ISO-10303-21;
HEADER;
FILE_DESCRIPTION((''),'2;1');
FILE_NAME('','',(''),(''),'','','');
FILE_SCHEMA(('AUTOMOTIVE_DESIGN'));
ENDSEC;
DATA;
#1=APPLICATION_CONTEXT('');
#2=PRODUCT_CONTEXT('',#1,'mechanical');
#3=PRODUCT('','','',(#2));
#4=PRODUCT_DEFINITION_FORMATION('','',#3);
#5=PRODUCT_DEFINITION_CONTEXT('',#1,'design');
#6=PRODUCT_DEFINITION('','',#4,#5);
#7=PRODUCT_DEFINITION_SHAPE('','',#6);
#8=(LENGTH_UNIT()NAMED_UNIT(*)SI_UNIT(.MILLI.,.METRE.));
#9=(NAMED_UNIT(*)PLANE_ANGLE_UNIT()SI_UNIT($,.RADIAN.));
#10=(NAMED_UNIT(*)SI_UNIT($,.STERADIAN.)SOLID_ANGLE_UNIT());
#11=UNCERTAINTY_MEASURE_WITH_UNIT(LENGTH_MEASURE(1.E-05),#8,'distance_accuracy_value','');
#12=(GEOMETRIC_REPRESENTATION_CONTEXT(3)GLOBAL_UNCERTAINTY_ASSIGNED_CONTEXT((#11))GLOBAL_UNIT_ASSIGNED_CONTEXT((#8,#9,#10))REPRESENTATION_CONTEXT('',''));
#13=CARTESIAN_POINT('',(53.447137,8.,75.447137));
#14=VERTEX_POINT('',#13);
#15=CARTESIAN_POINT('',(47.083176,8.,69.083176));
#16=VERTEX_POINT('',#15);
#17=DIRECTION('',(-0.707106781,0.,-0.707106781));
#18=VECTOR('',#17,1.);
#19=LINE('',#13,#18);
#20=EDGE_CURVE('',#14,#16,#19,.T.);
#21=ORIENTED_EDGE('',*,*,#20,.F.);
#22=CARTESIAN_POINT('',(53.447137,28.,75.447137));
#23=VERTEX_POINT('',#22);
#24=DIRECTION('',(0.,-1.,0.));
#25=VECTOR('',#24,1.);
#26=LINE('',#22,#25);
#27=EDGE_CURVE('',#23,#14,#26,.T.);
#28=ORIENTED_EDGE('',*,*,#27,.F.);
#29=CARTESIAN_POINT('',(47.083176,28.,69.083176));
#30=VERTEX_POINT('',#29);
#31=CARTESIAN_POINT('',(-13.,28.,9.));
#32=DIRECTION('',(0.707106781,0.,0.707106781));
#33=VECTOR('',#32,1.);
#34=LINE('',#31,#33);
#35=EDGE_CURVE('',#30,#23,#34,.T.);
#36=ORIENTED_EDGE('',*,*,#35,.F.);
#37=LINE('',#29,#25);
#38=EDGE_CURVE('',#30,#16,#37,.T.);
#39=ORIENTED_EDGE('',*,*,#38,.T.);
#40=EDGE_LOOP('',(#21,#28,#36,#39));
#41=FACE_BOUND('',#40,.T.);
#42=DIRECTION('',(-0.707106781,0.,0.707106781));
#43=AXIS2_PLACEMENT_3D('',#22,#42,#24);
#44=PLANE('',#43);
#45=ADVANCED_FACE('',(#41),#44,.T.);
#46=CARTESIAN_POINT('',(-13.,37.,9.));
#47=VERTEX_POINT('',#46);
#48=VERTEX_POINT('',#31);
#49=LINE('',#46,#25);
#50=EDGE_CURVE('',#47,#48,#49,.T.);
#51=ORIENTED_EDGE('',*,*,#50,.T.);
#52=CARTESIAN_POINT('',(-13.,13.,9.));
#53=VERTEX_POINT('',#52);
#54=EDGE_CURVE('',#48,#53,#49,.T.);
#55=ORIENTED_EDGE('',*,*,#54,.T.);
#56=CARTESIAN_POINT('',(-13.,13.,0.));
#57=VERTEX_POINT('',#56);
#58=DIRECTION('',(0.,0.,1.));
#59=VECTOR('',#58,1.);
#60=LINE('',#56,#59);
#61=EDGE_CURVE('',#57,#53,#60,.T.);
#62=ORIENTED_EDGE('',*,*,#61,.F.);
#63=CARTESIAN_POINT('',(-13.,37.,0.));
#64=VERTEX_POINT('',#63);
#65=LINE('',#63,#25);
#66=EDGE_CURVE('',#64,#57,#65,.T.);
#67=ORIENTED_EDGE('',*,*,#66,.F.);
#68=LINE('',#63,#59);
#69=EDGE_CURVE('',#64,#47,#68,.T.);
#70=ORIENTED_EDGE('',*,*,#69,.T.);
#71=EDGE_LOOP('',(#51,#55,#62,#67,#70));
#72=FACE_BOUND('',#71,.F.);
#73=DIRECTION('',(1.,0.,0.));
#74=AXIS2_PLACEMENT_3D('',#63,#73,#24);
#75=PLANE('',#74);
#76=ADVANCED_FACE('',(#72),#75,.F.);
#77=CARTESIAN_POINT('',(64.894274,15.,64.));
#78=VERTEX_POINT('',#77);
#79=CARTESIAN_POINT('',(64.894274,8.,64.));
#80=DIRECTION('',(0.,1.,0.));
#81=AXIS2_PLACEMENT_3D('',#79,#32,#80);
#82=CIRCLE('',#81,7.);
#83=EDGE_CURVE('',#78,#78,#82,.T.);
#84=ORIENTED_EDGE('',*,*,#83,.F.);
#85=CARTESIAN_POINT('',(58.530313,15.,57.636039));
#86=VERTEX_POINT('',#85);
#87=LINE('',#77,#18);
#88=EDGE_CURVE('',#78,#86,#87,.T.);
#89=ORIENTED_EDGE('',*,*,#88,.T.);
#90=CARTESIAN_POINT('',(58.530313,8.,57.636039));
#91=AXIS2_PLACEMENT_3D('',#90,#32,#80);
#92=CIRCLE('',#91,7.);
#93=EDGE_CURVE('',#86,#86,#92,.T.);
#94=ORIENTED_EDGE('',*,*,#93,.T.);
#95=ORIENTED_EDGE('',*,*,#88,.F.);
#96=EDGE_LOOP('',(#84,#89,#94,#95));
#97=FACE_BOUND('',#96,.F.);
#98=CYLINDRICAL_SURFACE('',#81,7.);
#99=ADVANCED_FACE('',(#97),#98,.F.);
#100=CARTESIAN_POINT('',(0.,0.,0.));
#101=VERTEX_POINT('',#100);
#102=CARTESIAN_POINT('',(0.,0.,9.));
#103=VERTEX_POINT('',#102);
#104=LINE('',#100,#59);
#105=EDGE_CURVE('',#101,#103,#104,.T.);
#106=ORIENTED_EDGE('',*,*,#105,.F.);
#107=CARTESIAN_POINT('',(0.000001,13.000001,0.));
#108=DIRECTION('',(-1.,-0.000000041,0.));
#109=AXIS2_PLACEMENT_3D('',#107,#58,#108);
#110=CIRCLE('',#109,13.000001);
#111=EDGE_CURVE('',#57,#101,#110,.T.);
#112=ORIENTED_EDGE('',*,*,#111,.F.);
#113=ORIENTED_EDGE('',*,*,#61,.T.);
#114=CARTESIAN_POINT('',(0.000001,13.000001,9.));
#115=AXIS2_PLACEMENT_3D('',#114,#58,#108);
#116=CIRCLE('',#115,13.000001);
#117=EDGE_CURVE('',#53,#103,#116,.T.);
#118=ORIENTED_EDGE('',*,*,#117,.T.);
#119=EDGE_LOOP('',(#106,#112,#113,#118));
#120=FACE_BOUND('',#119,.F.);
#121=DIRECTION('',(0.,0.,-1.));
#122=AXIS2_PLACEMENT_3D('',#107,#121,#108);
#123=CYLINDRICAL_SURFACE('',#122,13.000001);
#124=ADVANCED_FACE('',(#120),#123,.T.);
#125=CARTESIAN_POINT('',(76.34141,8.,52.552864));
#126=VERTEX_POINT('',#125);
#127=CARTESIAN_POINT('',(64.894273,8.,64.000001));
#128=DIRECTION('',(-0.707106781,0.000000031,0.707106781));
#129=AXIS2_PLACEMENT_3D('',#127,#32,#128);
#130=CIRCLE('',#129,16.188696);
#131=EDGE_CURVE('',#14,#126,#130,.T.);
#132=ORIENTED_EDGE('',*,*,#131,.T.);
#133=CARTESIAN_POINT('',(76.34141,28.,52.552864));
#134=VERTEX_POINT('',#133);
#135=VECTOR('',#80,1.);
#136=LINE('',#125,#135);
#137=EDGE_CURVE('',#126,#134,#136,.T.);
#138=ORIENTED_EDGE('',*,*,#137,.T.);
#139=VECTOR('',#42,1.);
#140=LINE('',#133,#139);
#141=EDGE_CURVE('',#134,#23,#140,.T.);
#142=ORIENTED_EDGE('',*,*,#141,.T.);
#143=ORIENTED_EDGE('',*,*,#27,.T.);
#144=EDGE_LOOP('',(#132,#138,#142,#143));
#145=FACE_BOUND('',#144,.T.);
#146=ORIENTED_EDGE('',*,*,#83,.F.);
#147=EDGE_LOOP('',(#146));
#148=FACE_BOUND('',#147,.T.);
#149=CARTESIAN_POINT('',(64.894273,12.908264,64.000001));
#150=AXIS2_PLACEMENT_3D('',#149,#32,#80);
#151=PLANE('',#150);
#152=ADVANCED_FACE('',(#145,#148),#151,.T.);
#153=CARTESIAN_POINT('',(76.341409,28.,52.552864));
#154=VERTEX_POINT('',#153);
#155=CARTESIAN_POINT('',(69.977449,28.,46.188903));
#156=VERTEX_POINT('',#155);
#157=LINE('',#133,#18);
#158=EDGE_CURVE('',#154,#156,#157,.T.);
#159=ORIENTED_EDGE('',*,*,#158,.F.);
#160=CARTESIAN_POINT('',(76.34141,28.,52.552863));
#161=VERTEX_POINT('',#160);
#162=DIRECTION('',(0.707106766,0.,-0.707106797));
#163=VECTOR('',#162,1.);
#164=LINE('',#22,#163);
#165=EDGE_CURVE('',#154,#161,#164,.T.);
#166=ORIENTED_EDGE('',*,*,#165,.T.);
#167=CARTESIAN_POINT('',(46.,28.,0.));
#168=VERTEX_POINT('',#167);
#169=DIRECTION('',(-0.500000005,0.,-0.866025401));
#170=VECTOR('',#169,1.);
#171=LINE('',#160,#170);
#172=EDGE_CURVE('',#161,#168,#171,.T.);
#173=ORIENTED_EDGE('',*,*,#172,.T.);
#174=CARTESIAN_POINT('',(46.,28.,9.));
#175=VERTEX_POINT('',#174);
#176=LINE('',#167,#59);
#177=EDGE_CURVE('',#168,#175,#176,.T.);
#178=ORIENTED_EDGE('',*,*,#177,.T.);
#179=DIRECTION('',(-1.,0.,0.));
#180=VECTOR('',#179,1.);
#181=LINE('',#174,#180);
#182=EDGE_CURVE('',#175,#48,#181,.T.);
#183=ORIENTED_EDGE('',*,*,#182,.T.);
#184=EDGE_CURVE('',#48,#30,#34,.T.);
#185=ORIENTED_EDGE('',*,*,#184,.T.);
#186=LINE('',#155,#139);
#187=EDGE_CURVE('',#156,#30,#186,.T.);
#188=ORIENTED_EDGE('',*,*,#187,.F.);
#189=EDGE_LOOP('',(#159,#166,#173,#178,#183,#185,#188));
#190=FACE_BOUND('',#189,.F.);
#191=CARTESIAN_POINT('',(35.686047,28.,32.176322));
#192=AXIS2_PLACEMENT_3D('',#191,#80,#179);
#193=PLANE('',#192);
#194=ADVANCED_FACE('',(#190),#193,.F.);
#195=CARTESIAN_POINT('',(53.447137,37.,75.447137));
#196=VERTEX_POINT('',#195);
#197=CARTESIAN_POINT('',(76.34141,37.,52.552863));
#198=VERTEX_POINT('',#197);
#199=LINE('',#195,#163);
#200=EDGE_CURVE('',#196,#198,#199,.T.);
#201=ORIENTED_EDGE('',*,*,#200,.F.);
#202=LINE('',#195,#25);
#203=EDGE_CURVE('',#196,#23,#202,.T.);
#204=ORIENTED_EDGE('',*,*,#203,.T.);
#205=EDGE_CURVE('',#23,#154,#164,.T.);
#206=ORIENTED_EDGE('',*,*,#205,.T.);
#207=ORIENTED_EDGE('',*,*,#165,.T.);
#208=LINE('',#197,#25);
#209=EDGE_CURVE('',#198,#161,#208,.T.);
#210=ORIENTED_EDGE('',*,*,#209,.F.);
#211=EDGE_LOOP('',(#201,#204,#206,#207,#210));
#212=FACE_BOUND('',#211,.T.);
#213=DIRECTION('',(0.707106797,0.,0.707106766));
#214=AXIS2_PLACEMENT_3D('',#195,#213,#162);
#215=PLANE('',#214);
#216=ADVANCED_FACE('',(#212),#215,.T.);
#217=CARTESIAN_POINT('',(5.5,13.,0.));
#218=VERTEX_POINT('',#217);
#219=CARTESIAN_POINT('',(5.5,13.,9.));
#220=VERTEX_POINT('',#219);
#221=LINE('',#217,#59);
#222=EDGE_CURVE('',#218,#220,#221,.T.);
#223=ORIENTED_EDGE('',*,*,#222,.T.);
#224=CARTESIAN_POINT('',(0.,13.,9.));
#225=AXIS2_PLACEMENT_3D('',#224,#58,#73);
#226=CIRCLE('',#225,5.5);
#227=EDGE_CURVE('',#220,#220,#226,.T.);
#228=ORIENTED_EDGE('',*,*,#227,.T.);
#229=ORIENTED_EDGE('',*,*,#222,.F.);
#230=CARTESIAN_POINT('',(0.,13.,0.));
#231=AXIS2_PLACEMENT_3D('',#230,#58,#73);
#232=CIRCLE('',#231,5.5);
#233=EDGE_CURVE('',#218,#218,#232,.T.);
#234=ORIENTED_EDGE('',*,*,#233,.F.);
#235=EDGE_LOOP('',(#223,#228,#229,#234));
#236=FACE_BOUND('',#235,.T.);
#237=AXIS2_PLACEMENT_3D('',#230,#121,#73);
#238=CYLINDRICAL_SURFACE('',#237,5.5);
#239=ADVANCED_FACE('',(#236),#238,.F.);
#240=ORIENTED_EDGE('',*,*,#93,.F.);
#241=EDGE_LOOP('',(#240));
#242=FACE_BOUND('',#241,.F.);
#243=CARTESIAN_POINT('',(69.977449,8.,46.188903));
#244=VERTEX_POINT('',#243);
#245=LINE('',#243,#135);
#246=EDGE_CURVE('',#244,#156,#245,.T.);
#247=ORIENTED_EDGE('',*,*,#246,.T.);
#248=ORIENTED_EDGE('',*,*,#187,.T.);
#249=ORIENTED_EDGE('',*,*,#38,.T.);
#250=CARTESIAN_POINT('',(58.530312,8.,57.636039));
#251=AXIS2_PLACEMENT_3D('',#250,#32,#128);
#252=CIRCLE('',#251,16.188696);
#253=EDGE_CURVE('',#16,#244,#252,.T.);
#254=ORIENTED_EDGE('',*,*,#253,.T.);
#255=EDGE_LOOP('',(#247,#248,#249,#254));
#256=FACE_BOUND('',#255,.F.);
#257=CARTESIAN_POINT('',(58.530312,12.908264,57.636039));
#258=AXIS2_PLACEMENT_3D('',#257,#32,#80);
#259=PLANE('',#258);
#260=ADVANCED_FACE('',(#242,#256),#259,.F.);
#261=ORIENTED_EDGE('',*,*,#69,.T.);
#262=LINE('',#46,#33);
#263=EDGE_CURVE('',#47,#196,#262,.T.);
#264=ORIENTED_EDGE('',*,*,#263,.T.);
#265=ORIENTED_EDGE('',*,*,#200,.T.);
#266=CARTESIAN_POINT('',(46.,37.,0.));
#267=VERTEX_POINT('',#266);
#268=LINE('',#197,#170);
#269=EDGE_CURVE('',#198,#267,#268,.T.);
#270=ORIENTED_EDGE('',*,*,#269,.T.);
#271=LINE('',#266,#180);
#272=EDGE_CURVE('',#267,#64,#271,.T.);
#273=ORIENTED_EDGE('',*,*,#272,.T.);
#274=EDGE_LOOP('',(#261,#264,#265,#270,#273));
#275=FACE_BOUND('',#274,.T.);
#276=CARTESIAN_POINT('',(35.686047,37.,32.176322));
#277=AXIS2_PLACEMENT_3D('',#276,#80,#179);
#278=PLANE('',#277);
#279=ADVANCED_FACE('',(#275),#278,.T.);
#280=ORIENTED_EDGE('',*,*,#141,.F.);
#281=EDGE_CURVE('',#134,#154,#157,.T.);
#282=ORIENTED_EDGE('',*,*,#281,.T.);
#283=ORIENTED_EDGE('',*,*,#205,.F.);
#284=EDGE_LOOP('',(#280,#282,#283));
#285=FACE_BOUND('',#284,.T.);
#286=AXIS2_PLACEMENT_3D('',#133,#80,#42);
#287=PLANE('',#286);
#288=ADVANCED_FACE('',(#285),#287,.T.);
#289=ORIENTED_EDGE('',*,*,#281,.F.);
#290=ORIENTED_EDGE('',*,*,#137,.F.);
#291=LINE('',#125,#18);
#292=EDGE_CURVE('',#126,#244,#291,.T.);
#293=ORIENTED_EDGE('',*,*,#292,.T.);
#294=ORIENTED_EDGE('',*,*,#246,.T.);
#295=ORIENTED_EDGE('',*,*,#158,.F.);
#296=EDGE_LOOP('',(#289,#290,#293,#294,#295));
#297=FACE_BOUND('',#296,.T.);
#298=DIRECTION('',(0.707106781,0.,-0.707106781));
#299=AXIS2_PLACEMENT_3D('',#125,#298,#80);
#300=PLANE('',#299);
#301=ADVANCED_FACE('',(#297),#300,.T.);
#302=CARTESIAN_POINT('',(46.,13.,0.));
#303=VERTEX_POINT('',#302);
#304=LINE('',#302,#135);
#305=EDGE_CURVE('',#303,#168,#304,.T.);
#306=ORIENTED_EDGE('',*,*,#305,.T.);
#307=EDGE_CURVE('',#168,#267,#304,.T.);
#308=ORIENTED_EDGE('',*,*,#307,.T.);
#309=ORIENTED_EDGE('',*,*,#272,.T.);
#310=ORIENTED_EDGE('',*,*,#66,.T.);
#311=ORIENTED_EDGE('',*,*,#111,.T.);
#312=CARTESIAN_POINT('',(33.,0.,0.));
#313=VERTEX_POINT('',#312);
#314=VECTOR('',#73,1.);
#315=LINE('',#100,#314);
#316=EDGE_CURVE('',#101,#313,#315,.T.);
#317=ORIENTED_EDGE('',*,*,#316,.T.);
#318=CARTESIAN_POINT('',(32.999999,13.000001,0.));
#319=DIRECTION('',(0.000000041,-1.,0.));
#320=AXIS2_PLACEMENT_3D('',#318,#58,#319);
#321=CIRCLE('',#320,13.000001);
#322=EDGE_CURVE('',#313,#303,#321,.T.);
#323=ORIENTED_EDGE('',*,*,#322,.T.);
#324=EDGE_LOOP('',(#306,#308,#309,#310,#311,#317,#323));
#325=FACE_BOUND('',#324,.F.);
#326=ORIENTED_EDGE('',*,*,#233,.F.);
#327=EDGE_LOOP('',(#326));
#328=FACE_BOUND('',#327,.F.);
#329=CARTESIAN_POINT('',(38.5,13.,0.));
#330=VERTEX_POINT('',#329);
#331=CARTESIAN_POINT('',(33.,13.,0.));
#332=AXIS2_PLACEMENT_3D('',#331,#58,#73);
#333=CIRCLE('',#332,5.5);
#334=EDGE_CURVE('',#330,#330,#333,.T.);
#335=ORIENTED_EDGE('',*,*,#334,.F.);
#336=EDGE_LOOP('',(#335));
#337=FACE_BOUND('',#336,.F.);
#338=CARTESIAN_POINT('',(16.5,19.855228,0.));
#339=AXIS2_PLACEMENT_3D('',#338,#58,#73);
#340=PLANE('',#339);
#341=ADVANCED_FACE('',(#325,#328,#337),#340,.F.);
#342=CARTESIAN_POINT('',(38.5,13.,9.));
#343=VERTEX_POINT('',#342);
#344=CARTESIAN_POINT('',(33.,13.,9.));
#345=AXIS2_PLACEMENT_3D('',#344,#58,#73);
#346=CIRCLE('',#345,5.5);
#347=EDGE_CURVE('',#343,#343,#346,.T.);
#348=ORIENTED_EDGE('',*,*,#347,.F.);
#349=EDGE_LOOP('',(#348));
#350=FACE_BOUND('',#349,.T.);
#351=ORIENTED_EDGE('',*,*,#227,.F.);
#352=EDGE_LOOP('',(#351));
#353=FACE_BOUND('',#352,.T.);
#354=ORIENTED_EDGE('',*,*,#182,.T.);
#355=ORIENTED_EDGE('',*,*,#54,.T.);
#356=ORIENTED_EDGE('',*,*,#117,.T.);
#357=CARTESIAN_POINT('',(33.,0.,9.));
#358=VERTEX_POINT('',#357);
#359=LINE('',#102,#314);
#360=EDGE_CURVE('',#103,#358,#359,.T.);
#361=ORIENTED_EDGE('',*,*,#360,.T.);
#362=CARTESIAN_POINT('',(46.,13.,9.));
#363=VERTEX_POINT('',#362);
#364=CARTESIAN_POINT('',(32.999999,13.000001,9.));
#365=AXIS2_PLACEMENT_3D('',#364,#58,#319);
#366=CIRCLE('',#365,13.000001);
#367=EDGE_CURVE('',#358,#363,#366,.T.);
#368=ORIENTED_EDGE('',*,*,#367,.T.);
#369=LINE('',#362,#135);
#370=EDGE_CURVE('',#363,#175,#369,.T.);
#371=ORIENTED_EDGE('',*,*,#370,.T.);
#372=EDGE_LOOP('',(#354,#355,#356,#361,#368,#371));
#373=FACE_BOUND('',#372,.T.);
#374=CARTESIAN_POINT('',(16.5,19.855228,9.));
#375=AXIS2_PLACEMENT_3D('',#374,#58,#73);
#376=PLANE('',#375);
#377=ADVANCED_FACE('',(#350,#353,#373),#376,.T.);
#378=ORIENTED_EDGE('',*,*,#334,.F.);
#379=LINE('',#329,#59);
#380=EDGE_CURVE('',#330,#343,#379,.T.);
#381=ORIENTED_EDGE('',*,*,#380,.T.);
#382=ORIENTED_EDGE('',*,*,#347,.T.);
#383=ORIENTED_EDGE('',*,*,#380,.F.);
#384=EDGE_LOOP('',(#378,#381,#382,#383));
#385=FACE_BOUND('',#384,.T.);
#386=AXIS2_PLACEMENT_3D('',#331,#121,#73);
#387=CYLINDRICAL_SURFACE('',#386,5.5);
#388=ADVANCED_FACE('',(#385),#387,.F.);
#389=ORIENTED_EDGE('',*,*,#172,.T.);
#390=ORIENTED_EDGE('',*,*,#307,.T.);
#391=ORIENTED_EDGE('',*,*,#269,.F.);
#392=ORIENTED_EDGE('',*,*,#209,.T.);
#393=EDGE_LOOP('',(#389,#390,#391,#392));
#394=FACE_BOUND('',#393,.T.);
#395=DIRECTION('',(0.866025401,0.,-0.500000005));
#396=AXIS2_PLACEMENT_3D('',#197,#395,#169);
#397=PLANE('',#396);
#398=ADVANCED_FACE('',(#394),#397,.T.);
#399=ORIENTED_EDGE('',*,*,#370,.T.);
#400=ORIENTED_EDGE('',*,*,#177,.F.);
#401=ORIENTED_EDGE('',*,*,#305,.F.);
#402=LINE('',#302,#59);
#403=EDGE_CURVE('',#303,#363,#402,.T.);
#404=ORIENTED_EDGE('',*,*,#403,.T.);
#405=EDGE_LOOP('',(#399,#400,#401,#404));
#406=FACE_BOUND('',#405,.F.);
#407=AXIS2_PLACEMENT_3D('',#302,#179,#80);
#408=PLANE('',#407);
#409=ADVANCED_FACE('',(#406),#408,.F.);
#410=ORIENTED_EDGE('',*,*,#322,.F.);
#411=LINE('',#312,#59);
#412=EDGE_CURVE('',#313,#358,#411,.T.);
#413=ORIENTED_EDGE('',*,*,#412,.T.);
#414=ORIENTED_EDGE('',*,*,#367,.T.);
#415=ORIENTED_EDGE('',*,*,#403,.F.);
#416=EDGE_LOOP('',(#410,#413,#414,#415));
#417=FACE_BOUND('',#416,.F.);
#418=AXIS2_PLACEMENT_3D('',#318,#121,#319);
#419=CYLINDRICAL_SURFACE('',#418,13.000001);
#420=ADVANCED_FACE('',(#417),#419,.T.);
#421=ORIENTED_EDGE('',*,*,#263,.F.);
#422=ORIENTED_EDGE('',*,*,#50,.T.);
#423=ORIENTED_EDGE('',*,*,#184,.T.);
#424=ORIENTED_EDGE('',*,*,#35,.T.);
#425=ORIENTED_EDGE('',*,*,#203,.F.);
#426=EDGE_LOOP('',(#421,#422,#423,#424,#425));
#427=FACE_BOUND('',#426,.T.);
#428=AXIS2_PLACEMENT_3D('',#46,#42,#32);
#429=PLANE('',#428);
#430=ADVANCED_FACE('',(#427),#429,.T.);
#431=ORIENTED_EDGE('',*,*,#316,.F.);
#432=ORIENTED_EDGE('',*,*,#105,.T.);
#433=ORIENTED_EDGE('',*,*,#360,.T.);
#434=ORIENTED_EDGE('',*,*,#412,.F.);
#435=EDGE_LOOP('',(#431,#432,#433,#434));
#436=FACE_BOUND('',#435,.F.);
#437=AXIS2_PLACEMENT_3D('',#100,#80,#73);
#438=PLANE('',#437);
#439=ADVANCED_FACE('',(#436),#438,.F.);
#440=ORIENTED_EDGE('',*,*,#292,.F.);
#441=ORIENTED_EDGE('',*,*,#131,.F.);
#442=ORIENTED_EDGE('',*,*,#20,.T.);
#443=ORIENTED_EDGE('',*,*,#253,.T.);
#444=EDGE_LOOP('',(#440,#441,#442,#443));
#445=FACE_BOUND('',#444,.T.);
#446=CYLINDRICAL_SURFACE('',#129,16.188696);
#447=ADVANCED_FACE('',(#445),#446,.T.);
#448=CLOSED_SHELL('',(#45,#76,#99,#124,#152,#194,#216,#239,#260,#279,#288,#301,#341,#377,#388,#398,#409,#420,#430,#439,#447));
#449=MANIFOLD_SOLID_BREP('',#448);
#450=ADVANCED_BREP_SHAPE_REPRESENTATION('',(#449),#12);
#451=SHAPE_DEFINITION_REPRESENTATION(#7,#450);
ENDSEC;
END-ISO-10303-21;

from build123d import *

# Parameters (mm, degrees)
F0_R     = 5.5
F1_DEPTH = 9
F3_DEPTH = 9
F4_R     = 7
F5_DEPTH = 9


with BuildPart() as f1:
    # F0 (on Top) → F1 (new body)
    with BuildSketch(Plane.XY):
        with BuildLine():
            ThreePointArc((-13, 13), (-9.192388, 3.807612), (0, 0))
            Line((0, 0), (33, 0))
            ThreePointArc((33, 0), (42.192388, 3.807612), (46, 13))
            Line((46, 13), (46, 37))
            Line((46, 37), (-13, 37))
            Line((-13, 37), (-13, 13))
        make_face()
        with Locations((0, 13)):
            Circle(F0_R, mode=Mode.SUBTRACT)
        with Locations((33, 13)):
            Circle(F0_R, mode=Mode.SUBTRACT)
    extrude(amount=F1_DEPTH)

    # F2 (on face) → F3 (join)
    with BuildSketch(Plane(origin=(0, 37, 0), x_dir=(-1, 0, 0), z_dir=(0, 1, 0))):
        Polygon((-76.34141, 52.552863), (-46, 0), (-46, 9), (13, 9), (-53.447137, 75.447137), align=None)
    extrude(amount=-F3_DEPTH)

    # F4 (on face) → F5 (join)
    with BuildSketch(Plane(origin=(64.447137, 0, 64.447137), x_dir=(0, 1, 0), z_dir=(0.707107, 0, 0.707107))):
        with BuildLine():
            Line((28, -16.821042), (28, 15.556349))
            Line((28, 15.556349), (8, 15.556349))
            ThreePointArc((8, 15.556349), (-8.188696, -0.632347), (8, -16.821042))
            Line((8, -16.821042), (28, -16.821042))
        make_face()
        with Locations((8, -0.632347)):
            Circle(F4_R, mode=Mode.SUBTRACT)
    extrude(amount=-F5_DEPTH)


solid = f1.part
